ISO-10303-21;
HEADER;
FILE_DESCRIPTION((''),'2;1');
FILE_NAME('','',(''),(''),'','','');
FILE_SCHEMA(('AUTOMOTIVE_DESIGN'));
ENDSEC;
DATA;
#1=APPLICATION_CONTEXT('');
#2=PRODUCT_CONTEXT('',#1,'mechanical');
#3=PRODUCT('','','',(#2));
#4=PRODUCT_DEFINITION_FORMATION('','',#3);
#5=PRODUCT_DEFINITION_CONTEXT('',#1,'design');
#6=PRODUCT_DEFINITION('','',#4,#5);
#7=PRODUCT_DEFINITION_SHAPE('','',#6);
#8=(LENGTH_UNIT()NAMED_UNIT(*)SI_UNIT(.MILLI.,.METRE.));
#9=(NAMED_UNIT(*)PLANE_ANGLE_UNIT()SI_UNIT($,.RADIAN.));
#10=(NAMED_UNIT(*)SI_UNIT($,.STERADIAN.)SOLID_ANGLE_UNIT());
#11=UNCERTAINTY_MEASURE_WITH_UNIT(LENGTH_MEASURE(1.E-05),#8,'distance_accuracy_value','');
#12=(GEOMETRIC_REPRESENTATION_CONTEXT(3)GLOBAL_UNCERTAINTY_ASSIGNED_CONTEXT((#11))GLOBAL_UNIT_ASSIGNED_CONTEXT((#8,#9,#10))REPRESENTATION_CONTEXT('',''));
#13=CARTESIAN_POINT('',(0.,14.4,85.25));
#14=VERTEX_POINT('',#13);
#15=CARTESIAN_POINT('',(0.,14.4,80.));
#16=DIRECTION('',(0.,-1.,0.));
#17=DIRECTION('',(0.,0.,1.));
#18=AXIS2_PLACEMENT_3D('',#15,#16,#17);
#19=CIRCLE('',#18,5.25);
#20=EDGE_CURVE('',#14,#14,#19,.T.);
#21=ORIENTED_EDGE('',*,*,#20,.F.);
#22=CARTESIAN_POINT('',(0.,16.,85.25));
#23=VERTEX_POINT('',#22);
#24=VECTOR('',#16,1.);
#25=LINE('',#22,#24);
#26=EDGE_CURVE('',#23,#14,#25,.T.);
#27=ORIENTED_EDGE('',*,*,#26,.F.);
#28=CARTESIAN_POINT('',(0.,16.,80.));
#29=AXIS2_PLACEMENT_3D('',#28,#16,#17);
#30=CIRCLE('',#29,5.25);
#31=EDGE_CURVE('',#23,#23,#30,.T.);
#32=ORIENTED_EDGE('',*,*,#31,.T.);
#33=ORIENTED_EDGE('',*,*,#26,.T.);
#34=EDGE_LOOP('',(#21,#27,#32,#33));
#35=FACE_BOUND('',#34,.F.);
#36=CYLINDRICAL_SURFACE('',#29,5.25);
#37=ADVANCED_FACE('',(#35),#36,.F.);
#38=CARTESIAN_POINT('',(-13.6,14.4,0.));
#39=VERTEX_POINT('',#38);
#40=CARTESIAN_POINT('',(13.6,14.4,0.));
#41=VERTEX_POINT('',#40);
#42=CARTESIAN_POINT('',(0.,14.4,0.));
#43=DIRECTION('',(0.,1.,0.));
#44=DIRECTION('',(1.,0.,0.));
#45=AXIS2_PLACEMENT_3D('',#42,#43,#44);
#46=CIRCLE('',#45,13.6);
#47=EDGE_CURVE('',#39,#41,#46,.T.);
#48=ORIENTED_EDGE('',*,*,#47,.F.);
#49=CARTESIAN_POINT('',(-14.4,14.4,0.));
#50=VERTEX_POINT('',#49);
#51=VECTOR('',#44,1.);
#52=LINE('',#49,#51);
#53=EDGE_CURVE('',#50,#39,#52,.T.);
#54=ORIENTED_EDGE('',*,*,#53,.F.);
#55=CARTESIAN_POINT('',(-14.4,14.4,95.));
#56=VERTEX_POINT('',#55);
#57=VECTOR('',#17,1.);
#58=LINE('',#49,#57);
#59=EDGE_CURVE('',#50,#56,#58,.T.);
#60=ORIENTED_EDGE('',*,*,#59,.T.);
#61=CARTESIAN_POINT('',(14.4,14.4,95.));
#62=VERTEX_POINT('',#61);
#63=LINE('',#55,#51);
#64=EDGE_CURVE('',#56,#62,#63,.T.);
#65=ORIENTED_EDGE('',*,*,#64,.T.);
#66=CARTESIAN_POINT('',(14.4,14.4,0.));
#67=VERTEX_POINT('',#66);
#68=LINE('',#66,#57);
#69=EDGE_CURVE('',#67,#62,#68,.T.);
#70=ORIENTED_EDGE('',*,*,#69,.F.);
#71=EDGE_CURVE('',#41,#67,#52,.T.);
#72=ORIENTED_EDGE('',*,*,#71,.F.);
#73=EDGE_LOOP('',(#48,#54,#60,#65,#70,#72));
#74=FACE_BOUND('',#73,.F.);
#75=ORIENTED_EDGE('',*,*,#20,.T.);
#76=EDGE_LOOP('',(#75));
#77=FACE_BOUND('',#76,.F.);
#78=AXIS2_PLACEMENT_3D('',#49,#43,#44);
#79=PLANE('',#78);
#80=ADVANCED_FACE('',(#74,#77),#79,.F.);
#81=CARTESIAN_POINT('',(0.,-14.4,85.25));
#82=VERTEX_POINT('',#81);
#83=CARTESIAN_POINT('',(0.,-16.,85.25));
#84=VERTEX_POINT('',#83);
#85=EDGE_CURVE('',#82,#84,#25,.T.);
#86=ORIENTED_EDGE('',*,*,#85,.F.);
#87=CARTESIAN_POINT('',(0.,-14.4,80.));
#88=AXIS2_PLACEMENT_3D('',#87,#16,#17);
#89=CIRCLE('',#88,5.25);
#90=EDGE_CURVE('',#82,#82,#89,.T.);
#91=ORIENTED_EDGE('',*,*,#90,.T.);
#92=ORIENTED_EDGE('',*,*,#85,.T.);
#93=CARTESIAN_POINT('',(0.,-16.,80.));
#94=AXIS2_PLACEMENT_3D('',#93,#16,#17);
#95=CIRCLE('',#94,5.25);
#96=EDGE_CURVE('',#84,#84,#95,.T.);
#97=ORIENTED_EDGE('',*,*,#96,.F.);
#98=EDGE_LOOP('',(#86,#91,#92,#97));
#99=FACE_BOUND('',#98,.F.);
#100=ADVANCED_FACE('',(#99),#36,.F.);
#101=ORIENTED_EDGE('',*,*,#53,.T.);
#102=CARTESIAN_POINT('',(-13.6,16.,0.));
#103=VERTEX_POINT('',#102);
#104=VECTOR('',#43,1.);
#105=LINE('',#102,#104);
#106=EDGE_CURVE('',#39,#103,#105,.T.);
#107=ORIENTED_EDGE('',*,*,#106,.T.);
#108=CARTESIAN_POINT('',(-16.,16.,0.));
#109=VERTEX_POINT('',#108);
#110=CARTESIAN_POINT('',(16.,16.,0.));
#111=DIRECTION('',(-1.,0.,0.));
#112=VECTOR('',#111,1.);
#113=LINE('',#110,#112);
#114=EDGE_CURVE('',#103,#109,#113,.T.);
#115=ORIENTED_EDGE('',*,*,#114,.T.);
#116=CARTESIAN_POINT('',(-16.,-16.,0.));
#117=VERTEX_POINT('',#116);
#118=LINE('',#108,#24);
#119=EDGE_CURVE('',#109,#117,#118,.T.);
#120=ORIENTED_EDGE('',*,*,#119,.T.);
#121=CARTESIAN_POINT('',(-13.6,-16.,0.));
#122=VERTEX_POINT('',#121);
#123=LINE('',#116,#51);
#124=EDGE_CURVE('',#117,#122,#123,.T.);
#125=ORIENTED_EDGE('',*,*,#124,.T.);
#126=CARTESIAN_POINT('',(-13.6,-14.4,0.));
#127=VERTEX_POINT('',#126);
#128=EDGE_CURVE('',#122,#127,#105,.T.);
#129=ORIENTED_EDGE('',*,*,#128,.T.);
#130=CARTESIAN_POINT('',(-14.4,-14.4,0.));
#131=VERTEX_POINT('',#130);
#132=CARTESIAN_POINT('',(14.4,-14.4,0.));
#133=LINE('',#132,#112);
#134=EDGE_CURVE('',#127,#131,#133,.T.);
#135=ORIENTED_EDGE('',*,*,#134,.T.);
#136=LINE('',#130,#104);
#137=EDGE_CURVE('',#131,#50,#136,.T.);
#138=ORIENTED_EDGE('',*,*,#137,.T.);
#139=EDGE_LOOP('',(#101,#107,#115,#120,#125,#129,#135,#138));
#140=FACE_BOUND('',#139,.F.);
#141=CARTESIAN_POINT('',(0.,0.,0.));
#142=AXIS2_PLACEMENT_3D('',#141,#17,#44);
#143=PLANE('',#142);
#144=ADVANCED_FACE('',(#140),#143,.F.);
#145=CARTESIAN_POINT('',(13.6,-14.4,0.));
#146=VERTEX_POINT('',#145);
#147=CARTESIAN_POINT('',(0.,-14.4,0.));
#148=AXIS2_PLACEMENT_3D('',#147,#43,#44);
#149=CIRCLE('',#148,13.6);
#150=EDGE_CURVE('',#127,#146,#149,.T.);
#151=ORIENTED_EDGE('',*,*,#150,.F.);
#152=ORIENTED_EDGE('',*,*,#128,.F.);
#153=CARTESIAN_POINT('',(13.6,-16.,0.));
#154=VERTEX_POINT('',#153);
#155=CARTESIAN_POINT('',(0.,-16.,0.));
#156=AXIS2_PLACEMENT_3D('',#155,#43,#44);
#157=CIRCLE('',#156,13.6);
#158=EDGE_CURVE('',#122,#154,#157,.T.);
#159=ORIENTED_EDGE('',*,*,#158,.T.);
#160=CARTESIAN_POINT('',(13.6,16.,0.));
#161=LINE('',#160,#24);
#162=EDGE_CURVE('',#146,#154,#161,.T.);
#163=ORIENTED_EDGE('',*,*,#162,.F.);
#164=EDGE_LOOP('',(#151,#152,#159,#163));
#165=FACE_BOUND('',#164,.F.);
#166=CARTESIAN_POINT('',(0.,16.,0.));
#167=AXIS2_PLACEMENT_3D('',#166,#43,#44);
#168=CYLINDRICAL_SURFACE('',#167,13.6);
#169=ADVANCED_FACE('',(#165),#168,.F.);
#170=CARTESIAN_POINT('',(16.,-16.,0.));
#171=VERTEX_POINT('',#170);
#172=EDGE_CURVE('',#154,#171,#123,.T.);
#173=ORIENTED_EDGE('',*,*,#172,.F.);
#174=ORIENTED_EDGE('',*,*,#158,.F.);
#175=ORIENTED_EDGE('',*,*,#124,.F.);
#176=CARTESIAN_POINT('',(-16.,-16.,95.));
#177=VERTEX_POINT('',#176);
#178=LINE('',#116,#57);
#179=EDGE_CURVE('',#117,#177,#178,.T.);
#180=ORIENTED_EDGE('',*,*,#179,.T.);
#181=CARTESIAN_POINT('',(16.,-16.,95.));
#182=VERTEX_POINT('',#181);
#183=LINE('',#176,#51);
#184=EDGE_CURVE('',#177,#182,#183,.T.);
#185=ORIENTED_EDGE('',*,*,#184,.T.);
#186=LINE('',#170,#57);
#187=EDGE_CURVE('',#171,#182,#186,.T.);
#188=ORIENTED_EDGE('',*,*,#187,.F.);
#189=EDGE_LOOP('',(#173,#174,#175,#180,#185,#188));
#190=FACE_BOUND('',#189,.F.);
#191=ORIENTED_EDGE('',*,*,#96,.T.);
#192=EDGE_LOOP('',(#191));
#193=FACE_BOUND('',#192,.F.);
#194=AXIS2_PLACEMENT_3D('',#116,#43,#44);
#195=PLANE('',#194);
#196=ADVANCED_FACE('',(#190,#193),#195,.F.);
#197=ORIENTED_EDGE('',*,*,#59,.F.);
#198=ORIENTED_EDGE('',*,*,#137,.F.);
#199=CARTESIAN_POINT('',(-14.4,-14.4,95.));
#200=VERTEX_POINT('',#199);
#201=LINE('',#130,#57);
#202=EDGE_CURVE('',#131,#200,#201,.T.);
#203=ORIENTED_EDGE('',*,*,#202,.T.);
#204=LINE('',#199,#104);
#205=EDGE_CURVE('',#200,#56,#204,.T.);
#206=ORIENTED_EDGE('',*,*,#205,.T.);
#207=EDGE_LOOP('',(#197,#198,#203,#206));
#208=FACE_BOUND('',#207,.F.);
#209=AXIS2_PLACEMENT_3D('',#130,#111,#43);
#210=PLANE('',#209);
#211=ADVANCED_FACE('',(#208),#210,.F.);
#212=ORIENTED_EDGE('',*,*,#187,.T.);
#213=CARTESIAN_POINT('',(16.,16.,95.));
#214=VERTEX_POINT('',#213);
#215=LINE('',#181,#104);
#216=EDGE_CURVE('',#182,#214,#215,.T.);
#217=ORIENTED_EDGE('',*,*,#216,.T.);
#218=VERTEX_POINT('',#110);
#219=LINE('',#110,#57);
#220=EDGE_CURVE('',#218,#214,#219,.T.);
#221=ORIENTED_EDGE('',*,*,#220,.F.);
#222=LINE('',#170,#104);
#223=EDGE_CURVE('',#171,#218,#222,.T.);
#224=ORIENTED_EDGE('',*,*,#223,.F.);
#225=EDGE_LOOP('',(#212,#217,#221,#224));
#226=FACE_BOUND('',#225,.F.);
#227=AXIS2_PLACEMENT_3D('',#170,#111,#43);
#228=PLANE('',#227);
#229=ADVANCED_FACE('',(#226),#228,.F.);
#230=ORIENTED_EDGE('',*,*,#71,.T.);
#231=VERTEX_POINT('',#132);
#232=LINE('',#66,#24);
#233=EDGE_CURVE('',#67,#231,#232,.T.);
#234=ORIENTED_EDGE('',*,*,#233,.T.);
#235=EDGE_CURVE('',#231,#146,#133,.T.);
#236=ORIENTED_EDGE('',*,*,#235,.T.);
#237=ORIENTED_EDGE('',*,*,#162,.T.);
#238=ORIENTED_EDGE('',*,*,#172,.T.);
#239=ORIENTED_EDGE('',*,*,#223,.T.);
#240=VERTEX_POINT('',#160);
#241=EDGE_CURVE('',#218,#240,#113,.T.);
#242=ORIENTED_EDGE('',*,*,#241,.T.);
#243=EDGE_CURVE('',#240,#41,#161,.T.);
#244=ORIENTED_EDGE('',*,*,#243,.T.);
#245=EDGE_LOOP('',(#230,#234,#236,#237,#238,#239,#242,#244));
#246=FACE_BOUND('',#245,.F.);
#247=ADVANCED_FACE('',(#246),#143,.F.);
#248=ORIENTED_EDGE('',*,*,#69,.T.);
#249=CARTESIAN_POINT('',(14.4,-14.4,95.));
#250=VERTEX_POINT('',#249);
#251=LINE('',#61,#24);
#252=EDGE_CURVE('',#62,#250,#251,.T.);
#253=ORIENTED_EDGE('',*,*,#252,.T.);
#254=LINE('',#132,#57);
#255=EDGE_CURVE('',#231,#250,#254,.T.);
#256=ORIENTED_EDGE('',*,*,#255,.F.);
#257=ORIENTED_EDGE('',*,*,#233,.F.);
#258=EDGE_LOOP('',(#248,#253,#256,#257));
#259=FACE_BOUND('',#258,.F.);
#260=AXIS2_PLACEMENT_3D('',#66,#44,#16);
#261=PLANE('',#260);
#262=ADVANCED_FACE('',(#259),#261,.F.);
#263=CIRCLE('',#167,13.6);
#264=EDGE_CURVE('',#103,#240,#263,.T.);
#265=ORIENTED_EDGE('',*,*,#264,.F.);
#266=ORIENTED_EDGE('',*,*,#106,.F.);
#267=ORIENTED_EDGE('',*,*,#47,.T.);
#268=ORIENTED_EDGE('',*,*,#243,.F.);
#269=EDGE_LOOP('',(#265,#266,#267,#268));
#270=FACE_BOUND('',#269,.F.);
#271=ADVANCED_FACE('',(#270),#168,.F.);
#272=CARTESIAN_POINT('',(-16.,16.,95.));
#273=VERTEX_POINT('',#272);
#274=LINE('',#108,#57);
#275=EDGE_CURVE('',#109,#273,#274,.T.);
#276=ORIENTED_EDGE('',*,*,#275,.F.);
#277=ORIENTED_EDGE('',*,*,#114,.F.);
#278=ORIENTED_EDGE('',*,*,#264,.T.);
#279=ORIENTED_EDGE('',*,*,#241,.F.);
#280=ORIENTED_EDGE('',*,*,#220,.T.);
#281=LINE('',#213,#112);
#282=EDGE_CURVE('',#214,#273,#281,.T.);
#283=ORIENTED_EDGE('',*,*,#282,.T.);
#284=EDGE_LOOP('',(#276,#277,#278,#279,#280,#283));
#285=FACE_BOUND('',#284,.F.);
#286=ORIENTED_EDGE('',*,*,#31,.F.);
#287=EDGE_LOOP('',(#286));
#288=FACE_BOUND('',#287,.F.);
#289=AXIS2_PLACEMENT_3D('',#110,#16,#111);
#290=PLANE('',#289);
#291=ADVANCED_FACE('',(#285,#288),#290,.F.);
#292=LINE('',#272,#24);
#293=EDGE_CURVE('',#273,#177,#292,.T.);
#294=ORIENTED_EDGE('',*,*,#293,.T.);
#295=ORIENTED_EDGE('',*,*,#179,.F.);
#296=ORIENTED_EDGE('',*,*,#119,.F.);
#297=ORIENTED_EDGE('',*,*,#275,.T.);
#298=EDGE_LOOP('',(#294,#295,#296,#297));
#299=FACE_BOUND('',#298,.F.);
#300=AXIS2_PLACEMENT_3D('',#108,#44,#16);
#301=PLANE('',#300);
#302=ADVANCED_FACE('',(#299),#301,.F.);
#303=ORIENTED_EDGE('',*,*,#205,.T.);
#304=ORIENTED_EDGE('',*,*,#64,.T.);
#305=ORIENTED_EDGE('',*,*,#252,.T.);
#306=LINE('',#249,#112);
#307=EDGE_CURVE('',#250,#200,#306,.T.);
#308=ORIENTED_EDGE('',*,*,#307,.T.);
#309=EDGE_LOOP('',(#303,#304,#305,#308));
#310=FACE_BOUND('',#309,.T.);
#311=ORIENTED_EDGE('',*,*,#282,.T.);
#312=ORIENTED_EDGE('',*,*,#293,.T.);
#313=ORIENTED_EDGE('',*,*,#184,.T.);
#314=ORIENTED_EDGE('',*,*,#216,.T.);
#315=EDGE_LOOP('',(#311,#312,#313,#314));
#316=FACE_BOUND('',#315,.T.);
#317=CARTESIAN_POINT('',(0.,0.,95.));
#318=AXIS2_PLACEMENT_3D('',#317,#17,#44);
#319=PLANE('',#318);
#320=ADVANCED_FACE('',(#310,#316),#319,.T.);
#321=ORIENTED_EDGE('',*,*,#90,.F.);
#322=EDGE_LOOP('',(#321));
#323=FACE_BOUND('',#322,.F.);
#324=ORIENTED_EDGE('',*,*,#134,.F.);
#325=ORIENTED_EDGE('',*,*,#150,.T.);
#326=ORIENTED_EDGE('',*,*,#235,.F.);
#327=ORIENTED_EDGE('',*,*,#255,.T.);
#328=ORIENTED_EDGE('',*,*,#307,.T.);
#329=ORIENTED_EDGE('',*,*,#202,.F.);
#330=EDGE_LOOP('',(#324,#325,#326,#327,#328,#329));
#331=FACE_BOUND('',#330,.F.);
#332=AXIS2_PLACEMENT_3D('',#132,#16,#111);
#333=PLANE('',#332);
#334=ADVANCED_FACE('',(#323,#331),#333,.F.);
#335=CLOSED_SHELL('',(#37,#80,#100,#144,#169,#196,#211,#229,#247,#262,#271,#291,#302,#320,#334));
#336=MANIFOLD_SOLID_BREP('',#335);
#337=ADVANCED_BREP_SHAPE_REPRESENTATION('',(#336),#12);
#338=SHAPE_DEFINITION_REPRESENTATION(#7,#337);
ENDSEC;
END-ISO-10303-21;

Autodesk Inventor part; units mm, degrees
ref_plane "YZ Plane" through (0, 0, 0) normal (1, 0, 0) x (0, 1, 0)
ref_plane "XZ Plane" through (0, 0, 0) normal (0, 1, 0) x (-1, 0, 0)
ref_plane "XY Plane" through (0, 0, 0) normal (0, 0, 1) x (1, 0, 0)
sketch "スケッチ1" plane through (0, 0, 0) normal (0, 0, 1) x (1, 0, 0)
  line L0 (-16, -16) -> (16, -16)
  line L1 (16, -16) -> (16, 16)
  line L2 (16, 16) -> (-16, 16)
  line L3 (-16, 16) -> (-16, -16)
  line L4 (-16, -16) -> (16, 16) construction
  line L5 (16, -16) -> (-16, 16) construction
  line L6 (-14.4, 14.4) -> (14.4, 14.4)
  line L7 (14.4, 14.4) -> (14.4, -14.4)
  line L8 (14.4, -14.4) -> (-14.4, -14.4)
  line L9 (-14.4, -14.4) -> (-14.4, 14.4)
  point P0 (0, 0)
  dimension "d0" = 32
  dimension "d1" = 32
  dimension "d2" = 1.6
extrude "押し出し1" add sketch "スケッチ1" along normal blind 95
sketch "スケッチ2" plane through (-16, 16, 0) normal (0, 1, 0) x (1, 0, 0)
  circle A0 centre (16, 0) radius 13.6
  dimension "d5" = 27.2
extrude "押し出し2" cut sketch "スケッチ2" against normal blind 32
sketch "スケッチ3" plane through (-16, 16, 95) normal (0, 1, 0) x (1, 0, 0)
  line L0 (32, 0) -> (0, 0) projected
  point P0 (16, 95)
  point P1 (16, 15)
  dimension "d16" = 80
hole "穴1" at (0, 16, 80) direction (0, -1, 0) diameter 10.5 end through all
properties part number "軸受上用"
